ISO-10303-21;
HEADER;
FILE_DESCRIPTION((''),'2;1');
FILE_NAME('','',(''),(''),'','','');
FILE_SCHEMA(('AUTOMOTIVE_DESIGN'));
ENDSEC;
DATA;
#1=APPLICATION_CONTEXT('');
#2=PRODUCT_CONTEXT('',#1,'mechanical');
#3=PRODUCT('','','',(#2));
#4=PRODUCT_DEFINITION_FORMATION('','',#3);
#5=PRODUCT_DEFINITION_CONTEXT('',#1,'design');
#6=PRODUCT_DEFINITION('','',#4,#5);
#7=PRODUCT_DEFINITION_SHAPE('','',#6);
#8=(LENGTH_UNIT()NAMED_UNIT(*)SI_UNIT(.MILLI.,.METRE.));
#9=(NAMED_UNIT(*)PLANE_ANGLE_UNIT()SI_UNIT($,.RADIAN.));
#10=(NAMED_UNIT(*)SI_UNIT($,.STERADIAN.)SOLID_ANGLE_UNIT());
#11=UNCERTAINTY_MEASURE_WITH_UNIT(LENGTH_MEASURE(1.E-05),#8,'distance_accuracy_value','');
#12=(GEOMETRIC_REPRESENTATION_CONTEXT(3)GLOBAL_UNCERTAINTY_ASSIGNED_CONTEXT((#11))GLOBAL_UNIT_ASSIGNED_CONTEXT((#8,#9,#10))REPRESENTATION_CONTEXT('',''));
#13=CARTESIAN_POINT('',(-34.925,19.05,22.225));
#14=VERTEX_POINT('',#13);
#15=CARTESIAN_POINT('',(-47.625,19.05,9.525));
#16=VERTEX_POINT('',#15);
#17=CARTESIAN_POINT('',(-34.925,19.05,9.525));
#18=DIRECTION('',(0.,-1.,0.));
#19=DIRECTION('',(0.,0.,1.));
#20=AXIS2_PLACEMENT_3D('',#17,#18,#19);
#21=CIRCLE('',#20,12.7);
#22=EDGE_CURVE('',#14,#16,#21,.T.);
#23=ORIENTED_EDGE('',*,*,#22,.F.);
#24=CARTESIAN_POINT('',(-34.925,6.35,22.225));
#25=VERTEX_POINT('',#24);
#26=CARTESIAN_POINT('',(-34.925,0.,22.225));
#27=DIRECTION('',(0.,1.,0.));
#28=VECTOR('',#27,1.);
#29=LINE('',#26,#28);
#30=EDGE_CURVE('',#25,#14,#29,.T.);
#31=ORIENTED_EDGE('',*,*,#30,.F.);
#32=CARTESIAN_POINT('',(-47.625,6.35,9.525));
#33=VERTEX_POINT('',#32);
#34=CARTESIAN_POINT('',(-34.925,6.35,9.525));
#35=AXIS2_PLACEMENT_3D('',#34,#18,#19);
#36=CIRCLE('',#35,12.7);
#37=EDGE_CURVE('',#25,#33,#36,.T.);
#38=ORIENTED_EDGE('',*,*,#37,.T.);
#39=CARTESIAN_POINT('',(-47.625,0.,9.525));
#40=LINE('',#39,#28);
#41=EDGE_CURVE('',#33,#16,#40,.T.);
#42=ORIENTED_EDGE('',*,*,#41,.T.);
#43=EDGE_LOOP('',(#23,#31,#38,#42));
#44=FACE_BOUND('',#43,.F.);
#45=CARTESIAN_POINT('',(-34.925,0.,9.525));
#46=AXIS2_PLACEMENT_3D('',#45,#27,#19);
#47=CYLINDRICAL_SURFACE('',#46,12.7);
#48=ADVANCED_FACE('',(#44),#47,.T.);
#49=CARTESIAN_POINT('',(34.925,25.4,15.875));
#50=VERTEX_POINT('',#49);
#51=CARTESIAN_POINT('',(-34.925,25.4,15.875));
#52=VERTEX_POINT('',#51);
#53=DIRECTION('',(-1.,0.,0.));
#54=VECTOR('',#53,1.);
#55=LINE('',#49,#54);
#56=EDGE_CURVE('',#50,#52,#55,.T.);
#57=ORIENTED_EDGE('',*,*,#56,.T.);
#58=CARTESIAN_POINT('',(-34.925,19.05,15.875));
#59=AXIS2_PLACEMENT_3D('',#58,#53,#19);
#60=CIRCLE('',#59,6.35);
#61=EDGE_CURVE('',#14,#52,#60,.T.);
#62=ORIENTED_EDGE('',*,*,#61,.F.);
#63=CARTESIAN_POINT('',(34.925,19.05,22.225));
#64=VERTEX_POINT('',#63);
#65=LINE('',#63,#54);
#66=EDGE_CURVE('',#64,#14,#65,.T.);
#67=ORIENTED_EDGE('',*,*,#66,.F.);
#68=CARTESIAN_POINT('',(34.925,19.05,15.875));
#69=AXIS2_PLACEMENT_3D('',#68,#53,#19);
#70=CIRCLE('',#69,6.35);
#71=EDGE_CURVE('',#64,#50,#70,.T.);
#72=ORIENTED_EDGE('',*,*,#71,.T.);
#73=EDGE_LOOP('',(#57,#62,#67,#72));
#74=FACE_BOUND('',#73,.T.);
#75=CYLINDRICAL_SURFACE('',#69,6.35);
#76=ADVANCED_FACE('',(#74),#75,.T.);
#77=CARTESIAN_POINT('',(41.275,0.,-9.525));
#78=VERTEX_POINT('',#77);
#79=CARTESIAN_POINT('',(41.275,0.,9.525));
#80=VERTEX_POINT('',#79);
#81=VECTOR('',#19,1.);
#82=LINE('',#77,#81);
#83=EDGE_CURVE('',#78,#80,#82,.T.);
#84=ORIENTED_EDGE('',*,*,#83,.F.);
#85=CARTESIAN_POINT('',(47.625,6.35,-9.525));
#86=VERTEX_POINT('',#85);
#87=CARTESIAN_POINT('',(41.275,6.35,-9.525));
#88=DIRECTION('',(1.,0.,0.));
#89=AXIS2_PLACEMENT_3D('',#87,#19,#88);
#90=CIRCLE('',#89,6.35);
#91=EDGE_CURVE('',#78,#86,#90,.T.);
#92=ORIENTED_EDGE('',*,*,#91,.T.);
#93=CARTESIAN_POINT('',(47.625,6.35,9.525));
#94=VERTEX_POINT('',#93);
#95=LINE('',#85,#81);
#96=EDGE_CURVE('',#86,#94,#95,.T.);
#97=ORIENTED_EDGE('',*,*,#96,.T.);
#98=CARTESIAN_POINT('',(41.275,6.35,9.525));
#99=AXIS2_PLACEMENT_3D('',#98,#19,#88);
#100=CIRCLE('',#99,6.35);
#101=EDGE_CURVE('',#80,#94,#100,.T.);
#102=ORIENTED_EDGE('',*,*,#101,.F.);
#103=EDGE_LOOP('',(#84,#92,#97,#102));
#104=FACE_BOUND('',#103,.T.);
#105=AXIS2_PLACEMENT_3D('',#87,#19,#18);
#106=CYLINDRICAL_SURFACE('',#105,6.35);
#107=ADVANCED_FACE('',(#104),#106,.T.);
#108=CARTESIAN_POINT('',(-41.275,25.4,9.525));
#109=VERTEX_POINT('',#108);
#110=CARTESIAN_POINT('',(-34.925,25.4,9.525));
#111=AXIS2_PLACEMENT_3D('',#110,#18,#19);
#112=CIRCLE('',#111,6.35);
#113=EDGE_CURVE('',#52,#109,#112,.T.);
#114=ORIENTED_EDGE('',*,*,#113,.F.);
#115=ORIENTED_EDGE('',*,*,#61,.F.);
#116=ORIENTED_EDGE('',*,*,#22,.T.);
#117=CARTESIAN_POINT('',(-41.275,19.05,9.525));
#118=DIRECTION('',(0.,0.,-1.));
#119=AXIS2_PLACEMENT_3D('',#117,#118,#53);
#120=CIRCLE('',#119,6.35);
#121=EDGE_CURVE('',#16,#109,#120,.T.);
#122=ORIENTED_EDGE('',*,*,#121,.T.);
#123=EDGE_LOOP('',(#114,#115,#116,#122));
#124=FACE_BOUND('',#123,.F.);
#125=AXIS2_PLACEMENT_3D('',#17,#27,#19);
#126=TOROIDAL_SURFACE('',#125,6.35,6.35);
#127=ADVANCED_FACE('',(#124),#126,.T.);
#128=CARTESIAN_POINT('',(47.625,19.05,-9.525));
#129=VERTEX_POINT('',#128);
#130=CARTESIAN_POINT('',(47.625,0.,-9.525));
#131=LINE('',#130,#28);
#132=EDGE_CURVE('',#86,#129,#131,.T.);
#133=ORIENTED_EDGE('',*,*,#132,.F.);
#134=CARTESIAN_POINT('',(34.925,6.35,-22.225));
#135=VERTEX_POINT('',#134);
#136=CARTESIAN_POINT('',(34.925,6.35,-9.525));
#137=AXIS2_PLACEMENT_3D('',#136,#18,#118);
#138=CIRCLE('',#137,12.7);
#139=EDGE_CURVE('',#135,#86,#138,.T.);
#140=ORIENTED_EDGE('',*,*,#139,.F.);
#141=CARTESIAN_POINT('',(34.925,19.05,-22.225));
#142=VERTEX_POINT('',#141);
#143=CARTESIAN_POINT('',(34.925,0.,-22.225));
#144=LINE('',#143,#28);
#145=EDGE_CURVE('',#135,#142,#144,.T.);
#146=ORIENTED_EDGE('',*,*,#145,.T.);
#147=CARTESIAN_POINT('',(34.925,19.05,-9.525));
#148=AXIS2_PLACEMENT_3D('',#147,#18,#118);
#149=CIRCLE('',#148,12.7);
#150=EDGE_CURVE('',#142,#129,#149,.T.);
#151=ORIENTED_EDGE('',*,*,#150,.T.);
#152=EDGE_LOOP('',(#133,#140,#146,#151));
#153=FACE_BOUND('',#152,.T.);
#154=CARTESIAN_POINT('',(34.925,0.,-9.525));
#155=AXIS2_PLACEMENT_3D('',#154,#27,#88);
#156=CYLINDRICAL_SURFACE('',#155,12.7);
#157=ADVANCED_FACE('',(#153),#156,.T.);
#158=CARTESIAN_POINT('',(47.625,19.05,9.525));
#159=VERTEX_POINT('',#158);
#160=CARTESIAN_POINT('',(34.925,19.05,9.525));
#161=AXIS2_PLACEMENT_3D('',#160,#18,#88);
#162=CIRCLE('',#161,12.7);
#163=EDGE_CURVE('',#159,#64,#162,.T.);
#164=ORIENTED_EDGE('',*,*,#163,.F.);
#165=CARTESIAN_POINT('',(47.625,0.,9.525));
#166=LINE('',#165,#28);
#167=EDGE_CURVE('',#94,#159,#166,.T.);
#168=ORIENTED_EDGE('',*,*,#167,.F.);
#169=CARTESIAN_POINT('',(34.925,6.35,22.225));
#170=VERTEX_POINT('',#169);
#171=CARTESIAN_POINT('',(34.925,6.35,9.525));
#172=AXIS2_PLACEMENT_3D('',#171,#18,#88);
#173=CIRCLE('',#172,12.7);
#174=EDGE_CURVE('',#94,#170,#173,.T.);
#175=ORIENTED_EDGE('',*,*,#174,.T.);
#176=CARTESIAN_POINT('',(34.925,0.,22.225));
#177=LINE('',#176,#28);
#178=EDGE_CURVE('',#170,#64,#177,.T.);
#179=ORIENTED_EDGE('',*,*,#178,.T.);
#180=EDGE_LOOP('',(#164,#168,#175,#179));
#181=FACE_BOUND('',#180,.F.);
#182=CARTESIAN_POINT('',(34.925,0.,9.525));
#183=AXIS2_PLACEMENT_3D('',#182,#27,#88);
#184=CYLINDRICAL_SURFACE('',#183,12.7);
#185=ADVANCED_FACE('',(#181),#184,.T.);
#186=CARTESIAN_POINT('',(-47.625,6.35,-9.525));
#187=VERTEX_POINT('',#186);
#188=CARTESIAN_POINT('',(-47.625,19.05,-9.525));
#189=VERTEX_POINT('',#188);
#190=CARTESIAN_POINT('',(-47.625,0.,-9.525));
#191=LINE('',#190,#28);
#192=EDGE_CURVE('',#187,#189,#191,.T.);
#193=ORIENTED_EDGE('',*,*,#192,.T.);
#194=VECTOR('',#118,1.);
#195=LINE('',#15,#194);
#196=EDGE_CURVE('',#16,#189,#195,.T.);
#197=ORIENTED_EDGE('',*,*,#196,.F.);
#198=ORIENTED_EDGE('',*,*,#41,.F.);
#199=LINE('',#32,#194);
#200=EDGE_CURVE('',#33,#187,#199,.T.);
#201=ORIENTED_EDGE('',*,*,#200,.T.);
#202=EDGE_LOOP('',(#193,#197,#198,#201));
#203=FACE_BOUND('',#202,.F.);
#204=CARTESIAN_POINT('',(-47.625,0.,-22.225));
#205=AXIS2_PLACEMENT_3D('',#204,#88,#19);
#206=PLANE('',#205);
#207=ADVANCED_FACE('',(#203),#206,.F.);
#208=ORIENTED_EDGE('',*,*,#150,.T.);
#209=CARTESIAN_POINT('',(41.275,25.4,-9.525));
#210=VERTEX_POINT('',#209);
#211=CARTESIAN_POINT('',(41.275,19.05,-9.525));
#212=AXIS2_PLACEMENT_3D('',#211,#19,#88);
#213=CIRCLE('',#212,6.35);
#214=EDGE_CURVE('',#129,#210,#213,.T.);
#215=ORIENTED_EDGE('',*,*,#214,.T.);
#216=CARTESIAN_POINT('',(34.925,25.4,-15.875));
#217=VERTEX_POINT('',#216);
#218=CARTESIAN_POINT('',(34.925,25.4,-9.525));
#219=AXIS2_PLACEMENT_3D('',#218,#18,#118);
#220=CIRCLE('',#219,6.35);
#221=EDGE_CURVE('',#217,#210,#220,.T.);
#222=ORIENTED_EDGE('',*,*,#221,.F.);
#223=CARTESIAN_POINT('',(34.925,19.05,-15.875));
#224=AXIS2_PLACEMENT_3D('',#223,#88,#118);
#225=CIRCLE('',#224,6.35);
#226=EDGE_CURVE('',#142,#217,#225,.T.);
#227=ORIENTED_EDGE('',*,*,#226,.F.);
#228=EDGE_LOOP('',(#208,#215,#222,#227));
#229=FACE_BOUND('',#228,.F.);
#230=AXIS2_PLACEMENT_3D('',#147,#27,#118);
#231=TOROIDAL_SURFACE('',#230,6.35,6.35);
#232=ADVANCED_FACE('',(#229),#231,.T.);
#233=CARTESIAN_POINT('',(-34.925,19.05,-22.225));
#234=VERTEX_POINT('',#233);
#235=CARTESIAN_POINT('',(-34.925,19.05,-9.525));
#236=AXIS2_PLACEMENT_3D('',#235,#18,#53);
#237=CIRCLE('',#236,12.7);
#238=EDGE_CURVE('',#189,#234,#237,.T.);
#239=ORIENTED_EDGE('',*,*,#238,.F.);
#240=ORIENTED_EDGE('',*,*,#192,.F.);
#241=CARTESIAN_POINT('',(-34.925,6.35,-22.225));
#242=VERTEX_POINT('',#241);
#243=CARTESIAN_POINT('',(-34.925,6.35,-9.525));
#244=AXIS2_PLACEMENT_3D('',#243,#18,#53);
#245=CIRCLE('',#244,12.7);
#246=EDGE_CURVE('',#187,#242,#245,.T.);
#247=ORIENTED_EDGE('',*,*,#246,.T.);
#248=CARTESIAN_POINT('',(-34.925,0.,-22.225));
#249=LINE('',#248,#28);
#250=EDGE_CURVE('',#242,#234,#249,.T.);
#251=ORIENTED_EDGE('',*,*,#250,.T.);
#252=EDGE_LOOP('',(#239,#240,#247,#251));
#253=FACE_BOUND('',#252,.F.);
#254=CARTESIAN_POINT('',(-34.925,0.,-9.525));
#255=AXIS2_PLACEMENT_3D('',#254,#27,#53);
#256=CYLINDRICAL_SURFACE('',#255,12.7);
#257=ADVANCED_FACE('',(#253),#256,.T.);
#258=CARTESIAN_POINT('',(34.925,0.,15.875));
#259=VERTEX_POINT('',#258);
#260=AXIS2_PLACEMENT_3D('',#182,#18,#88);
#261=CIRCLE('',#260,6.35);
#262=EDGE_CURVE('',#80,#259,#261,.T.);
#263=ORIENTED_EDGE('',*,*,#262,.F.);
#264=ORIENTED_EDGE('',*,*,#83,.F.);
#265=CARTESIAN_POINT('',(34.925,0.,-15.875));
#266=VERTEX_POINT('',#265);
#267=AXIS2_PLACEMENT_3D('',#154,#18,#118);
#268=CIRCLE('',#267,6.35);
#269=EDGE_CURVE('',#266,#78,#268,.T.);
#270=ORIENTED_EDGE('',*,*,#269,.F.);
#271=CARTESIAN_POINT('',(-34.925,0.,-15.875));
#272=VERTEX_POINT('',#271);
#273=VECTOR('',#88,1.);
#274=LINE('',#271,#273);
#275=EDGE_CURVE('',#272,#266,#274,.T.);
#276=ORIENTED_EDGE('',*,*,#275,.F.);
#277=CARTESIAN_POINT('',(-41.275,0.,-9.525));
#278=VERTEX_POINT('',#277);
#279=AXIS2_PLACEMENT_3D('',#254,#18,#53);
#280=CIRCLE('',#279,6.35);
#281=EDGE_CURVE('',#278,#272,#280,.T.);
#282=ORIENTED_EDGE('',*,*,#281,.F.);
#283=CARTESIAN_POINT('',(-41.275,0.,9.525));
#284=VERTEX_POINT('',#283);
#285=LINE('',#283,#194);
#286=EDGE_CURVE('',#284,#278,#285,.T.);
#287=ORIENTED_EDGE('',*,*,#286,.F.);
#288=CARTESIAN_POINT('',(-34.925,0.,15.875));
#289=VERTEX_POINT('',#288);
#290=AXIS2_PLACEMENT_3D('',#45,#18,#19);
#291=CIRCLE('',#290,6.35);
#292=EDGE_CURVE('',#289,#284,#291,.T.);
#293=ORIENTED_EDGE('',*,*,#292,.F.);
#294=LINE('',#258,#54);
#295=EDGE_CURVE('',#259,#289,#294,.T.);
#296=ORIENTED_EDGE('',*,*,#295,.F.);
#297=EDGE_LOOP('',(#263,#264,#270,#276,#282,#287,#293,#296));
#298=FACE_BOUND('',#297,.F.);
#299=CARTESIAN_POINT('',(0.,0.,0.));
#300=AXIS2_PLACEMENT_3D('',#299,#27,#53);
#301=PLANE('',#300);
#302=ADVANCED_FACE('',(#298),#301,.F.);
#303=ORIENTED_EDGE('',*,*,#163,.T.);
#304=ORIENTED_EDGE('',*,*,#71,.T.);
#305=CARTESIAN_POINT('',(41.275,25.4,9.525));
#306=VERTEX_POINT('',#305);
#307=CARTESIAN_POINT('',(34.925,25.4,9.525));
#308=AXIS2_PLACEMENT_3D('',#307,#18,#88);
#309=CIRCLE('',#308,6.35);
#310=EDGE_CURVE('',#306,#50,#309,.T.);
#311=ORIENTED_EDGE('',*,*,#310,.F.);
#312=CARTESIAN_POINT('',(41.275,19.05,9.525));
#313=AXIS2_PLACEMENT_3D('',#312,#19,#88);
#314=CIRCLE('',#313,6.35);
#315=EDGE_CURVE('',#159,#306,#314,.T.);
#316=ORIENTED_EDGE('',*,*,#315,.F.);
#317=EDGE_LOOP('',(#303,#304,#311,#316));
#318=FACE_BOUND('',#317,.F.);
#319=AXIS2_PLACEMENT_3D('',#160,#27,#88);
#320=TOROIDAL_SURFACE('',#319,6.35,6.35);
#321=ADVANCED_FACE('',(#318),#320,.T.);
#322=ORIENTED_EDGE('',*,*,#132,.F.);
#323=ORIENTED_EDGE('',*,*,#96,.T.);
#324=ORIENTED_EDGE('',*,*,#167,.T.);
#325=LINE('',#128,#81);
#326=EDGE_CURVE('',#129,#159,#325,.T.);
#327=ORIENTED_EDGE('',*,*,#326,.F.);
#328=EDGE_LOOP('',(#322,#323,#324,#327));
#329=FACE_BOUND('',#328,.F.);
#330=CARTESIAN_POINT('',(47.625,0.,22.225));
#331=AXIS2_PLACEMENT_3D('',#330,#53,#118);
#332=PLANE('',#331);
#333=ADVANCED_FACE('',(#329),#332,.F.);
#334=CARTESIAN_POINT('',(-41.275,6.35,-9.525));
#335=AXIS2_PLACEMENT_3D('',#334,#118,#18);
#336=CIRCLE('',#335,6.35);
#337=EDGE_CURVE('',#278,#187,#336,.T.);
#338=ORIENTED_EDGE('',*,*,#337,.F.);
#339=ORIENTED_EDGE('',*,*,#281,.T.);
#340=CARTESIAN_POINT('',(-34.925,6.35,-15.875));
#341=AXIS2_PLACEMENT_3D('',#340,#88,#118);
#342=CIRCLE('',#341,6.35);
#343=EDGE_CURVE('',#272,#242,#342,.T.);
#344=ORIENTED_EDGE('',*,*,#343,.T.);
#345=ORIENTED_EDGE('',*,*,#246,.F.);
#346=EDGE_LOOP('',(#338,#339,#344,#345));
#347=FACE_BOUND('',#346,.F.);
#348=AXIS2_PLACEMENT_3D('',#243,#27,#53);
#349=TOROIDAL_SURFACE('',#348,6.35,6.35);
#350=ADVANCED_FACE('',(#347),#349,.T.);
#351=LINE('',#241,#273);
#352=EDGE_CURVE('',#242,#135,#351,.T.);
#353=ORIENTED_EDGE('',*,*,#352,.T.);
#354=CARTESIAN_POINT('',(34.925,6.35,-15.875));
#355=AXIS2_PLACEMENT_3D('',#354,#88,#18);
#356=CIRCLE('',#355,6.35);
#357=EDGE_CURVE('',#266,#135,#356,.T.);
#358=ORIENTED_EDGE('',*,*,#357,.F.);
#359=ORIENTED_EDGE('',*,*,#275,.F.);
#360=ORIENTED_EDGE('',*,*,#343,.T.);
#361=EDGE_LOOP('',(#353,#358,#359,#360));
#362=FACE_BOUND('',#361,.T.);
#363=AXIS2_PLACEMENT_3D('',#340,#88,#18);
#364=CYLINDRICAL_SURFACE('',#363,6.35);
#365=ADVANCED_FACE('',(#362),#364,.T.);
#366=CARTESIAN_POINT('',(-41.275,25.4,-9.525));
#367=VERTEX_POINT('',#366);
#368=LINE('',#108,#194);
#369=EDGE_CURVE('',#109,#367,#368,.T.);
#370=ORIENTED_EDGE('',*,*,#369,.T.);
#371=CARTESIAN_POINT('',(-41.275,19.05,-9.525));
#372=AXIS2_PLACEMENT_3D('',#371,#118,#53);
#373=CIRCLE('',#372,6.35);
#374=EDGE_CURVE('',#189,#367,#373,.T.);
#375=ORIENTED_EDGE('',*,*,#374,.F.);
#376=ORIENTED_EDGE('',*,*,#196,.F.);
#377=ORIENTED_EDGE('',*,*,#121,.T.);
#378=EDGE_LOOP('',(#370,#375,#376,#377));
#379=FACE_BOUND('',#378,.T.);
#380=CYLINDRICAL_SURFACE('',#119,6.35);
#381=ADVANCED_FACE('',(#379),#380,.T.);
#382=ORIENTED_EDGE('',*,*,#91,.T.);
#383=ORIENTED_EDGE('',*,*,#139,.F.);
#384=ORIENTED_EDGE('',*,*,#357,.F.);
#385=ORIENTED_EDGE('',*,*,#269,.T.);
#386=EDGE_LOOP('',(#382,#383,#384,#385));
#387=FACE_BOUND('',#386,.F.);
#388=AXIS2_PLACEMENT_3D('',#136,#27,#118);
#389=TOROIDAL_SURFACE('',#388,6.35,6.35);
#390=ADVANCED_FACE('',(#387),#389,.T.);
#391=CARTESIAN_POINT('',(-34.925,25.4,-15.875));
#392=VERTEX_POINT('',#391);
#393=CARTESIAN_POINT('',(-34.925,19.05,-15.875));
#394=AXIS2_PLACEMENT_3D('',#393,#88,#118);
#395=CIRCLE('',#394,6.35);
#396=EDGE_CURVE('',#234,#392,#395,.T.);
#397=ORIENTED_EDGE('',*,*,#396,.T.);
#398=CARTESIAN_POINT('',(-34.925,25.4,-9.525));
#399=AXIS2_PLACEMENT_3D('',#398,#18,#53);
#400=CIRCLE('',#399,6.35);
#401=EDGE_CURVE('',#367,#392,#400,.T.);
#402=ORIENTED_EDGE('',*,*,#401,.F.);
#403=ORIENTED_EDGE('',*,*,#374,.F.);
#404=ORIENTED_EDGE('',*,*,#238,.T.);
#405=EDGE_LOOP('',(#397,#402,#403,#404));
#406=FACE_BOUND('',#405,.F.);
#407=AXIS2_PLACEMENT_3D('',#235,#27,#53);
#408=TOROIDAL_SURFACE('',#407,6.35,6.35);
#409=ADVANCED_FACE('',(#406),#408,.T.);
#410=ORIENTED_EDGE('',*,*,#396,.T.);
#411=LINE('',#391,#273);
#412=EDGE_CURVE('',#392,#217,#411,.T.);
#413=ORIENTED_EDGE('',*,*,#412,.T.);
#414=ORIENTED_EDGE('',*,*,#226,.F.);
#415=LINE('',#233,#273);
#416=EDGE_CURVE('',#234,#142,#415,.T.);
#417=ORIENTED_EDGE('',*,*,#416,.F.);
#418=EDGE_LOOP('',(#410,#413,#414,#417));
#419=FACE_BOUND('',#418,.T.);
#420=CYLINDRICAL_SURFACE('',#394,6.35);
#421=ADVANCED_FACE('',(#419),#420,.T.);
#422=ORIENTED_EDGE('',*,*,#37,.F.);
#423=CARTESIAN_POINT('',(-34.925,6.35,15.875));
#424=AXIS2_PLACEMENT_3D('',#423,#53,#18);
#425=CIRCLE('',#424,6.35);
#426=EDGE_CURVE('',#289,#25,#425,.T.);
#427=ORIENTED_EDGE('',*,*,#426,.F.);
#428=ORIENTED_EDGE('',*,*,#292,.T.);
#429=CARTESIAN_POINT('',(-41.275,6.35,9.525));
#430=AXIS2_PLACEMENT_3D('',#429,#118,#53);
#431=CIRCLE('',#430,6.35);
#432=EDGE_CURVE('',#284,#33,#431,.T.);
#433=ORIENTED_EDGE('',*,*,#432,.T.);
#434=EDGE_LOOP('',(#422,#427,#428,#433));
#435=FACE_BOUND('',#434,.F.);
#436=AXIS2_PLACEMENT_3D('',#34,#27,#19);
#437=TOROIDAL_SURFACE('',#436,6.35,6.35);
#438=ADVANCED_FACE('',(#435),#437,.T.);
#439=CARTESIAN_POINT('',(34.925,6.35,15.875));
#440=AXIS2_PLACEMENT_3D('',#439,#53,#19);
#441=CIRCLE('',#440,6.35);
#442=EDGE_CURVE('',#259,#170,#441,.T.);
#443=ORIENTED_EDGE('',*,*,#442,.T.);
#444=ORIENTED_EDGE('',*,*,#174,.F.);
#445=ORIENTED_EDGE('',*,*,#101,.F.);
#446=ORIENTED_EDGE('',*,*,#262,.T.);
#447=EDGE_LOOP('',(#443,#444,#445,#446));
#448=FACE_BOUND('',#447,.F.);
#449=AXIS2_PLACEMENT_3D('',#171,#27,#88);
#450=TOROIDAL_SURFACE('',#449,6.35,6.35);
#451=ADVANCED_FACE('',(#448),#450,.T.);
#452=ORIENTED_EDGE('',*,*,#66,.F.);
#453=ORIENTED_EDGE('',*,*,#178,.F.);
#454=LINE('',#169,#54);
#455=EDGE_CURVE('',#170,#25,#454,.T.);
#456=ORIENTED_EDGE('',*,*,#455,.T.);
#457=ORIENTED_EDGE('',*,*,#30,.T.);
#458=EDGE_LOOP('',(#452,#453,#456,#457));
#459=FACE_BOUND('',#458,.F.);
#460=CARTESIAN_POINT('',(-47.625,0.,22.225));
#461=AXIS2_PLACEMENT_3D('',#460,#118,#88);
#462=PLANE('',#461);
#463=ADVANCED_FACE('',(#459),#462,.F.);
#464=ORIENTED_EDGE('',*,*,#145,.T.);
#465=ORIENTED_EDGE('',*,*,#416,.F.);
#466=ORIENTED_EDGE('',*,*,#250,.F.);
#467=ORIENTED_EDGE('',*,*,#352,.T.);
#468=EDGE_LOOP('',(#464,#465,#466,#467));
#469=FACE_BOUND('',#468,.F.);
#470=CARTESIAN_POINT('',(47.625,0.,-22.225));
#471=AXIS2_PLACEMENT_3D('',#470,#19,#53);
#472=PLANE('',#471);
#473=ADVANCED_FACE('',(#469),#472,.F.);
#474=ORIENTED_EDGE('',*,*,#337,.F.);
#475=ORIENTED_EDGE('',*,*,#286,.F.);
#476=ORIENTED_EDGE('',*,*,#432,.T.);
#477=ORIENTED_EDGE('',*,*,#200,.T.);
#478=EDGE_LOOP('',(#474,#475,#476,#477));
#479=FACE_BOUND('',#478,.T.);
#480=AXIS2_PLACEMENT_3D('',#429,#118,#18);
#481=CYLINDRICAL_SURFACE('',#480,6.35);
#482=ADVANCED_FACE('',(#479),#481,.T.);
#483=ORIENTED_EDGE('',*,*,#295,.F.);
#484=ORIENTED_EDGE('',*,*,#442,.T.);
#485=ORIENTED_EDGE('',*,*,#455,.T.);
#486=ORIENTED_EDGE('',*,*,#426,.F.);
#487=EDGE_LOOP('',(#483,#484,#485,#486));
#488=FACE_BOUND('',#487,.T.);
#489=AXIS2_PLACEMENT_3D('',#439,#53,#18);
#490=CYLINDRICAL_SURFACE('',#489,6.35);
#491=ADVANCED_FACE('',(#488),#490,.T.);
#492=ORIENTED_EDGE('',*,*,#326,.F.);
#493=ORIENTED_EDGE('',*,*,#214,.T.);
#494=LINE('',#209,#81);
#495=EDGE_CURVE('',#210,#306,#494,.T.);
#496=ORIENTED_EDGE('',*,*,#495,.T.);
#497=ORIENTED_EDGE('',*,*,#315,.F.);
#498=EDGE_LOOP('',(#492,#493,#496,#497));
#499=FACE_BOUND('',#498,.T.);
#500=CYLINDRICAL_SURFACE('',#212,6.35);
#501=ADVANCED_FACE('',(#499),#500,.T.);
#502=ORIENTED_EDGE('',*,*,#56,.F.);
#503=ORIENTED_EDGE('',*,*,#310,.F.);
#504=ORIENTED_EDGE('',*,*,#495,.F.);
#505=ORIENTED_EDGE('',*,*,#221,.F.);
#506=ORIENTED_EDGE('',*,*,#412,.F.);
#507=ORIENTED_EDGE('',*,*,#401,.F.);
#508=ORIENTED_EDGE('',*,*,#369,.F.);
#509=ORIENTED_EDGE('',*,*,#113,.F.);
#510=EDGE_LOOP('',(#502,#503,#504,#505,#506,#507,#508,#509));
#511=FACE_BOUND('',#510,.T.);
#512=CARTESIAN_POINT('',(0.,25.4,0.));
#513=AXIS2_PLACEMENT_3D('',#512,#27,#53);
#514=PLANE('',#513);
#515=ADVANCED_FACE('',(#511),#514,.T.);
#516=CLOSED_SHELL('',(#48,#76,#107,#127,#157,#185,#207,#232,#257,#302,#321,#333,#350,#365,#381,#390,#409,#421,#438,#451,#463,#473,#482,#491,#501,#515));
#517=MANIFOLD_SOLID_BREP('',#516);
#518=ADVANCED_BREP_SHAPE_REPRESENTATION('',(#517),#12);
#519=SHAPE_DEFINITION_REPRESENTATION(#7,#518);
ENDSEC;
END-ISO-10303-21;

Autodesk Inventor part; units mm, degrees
ref_plane "YZ Plane" through (0, 0, 0) normal (1, 0, 0) x (0, 1, 0)
ref_plane "XZ Plane" through (0, 0, 0) normal (0, 1, 0) x (-1, 0, 0)
ref_plane "XY Plane" through (0, 0, 0) normal (0, 0, 1) x (1, 0, 0)
sketch "Sketch1" plane through (0, 0, 0) normal (0, 1, 0) x (-1, 0, 0)
  line L0 (-47.625, -22.225) -> (47.625, -22.225)
  line L1 (47.625, -22.225) -> (47.625, 22.225)
  line L2 (47.625, 22.225) -> (-47.625, 22.225)
  line L3 (-47.625, 22.225) -> (-47.625, -22.225)
  line L4 (-47.625, -22.225) -> (47.625, 22.225) construction
  line L5 (47.625, -22.225) -> (-47.625, 22.225) construction
  point P0 (0, 0)
  dimension "d0" = 95.25
  dimension "d1" = 44.45
extrude "Extrusion1" add sketch "Sketch1" along normal blind 25.4
fillet "Fillet1" radius 12.7 4 edges at (-47.625, 12.7, 22.225) (47.625, 12.7, 22.225) (47.625, 12.7, -22.225) (-47.625, 12.7, -22.225)
fillet "Fillet2" radius 6.35 16 edges at (43.9053, 25.4, 18.5053) (47.625, 25.4, 0) (43.9053, 25.4, -18.5053) (0, 25.4, -22.225) (-43.9053, 25.4, -18.5053) (-47.625, 25.4, 0) (-43.9053, 25.4, 18.5053) (0, 25.4, 22.225) (43.9053, 0, 18.5053) (47.625, 0, 0) (43.9053, 0, -18.5053) (0, 0, -22.225) (-43.9053, 0, -18.5053) (-47.625, 0, 0) (-43.9053, 0, 18.5053) (0, 0, 22.225)
properties part number "am-3277"
